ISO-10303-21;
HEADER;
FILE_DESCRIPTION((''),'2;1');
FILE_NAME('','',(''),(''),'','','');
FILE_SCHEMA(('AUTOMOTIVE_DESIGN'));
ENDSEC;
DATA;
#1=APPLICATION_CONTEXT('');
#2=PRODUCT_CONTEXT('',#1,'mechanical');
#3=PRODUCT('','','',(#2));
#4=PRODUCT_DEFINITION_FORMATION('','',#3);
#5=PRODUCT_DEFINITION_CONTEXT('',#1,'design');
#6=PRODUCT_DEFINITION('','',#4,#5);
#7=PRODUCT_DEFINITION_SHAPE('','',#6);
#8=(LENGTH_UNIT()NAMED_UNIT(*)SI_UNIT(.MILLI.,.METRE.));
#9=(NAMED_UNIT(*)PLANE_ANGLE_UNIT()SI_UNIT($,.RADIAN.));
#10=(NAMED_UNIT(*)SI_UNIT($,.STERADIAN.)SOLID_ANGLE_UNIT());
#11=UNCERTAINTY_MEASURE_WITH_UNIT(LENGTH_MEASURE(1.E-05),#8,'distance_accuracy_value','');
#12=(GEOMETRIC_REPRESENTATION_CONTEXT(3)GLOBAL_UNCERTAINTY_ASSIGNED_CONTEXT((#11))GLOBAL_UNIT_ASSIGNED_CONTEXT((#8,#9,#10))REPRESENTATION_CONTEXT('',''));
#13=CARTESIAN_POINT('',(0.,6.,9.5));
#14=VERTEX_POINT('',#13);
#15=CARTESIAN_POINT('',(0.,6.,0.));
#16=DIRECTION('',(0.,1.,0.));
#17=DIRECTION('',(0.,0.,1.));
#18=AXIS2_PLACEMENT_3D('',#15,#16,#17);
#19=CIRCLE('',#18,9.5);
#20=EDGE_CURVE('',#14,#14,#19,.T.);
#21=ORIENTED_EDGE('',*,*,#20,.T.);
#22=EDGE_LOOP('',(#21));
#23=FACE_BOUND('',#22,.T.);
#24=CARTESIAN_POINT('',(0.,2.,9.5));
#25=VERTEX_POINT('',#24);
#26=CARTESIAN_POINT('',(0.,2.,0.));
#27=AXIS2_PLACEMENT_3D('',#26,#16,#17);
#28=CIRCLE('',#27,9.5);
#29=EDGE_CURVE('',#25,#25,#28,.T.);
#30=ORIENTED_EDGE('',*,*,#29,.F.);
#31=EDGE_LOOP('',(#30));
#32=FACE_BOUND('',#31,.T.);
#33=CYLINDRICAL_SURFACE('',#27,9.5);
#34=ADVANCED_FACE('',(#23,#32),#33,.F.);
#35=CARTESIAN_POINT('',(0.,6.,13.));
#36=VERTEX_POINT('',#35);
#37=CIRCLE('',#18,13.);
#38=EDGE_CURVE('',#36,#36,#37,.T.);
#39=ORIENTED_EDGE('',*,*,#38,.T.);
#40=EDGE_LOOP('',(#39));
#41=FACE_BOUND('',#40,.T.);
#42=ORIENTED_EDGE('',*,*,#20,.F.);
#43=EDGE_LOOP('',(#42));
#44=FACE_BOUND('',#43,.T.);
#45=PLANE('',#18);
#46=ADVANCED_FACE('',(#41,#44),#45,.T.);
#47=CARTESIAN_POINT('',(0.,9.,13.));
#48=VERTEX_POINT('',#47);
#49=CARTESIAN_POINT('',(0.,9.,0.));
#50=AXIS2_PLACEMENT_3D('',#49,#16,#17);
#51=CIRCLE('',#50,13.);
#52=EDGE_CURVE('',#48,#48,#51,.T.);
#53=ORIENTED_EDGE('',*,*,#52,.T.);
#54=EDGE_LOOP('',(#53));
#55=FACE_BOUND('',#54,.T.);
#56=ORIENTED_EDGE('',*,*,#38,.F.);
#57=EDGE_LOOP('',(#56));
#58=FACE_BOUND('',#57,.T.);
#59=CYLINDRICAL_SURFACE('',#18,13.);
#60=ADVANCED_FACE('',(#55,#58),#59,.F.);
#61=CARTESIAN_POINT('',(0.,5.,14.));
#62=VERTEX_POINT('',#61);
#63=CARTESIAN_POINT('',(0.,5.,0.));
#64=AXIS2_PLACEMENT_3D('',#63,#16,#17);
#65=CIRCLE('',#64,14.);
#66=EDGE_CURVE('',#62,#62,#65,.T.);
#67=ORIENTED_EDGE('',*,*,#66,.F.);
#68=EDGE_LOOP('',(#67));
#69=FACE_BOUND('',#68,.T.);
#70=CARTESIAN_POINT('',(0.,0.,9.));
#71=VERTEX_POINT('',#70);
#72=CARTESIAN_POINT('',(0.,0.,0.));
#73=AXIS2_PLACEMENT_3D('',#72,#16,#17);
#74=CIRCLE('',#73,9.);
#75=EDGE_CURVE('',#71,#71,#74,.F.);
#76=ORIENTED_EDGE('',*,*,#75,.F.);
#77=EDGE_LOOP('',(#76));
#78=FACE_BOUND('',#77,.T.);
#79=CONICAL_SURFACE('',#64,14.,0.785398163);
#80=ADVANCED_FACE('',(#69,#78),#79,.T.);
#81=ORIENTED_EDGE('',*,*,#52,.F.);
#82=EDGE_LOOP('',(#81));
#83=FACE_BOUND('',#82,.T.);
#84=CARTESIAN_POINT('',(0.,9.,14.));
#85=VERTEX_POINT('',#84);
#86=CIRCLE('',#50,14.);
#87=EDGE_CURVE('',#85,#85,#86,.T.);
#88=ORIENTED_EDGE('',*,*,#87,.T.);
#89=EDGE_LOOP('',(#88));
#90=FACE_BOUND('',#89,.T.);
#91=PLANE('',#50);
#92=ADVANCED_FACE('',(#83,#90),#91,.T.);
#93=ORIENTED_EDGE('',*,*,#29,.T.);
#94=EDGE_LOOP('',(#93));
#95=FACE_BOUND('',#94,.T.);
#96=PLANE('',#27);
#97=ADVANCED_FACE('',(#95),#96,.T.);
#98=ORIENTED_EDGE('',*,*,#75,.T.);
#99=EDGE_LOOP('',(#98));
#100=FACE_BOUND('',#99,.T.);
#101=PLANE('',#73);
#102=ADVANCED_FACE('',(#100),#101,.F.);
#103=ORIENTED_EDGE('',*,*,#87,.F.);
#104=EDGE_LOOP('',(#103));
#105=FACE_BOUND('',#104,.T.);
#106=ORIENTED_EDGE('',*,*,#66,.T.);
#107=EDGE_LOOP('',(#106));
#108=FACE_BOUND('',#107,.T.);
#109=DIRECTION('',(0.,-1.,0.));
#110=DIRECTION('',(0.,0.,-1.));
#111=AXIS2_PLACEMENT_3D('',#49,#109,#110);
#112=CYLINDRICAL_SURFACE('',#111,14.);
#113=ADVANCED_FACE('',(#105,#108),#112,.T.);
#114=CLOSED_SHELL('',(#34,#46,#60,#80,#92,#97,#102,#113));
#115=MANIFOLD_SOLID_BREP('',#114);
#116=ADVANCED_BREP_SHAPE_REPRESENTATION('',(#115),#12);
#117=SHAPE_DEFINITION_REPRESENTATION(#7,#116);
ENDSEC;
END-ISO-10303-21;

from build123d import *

# Parameters (mm, degrees)
ESQUISSE1_R             = 14
BOSS_EXTRU_1_DEPTH      = 9
ESQUISSE2_R             = 13
ENL_V_MAT_EXTRU_1_DEPTH = 3
ESQUISSE4_R             = 9.5
ENL_V_MAT_EXTRU_2_DEPTH = 4
CHANFREIN1_SIZE         = 5


with BuildPart() as part:
    # Esquisse1 → Boss.-Extru.1 (new body)
    with BuildSketch(Plane(origin=(0, 0, 0), x_dir=(1, 0, 0), z_dir=(0, 1, 0))):
        with Locations(Location((0, 0, 0), (0, 0, 270))):
            Circle(ESQUISSE1_R)
    extrude(amount=BOSS_EXTRU_1_DEPTH)

    # Esquisse2 → Enlèv. mat.-Extru.1 (cut)
    with BuildSketch(Plane(origin=(0, 9, 0), x_dir=(1, 0, 0), z_dir=(0, 1, 0))):
        with Locations(Location((0, 0, 0), (0, 0, 270))):
            Circle(ESQUISSE2_R)
    extrude(amount=-ENL_V_MAT_EXTRU_1_DEPTH, mode=Mode.SUBTRACT)

    # Esquisse4 → Enlèv. mat.-Extru.2 (cut)
    with BuildSketch(Plane(origin=(0, 6, 0), x_dir=(1, 0, 0), z_dir=(0, 1, 0))):
        with Locations(Location((0, 0, 0), (0, 0, 270))):
            Circle(ESQUISSE4_R)
    extrude(amount=-ENL_V_MAT_EXTRU_2_DEPTH, mode=Mode.SUBTRACT)

    # Chanfrein1
    chanfrein1_edges = [part.edges().sort_by_distance(p)[0] for p in [
        (0, 0, -14),
    ]]
    chamfer(chanfrein1_edges, length=CHANFREIN1_SIZE)


solid = part.part
